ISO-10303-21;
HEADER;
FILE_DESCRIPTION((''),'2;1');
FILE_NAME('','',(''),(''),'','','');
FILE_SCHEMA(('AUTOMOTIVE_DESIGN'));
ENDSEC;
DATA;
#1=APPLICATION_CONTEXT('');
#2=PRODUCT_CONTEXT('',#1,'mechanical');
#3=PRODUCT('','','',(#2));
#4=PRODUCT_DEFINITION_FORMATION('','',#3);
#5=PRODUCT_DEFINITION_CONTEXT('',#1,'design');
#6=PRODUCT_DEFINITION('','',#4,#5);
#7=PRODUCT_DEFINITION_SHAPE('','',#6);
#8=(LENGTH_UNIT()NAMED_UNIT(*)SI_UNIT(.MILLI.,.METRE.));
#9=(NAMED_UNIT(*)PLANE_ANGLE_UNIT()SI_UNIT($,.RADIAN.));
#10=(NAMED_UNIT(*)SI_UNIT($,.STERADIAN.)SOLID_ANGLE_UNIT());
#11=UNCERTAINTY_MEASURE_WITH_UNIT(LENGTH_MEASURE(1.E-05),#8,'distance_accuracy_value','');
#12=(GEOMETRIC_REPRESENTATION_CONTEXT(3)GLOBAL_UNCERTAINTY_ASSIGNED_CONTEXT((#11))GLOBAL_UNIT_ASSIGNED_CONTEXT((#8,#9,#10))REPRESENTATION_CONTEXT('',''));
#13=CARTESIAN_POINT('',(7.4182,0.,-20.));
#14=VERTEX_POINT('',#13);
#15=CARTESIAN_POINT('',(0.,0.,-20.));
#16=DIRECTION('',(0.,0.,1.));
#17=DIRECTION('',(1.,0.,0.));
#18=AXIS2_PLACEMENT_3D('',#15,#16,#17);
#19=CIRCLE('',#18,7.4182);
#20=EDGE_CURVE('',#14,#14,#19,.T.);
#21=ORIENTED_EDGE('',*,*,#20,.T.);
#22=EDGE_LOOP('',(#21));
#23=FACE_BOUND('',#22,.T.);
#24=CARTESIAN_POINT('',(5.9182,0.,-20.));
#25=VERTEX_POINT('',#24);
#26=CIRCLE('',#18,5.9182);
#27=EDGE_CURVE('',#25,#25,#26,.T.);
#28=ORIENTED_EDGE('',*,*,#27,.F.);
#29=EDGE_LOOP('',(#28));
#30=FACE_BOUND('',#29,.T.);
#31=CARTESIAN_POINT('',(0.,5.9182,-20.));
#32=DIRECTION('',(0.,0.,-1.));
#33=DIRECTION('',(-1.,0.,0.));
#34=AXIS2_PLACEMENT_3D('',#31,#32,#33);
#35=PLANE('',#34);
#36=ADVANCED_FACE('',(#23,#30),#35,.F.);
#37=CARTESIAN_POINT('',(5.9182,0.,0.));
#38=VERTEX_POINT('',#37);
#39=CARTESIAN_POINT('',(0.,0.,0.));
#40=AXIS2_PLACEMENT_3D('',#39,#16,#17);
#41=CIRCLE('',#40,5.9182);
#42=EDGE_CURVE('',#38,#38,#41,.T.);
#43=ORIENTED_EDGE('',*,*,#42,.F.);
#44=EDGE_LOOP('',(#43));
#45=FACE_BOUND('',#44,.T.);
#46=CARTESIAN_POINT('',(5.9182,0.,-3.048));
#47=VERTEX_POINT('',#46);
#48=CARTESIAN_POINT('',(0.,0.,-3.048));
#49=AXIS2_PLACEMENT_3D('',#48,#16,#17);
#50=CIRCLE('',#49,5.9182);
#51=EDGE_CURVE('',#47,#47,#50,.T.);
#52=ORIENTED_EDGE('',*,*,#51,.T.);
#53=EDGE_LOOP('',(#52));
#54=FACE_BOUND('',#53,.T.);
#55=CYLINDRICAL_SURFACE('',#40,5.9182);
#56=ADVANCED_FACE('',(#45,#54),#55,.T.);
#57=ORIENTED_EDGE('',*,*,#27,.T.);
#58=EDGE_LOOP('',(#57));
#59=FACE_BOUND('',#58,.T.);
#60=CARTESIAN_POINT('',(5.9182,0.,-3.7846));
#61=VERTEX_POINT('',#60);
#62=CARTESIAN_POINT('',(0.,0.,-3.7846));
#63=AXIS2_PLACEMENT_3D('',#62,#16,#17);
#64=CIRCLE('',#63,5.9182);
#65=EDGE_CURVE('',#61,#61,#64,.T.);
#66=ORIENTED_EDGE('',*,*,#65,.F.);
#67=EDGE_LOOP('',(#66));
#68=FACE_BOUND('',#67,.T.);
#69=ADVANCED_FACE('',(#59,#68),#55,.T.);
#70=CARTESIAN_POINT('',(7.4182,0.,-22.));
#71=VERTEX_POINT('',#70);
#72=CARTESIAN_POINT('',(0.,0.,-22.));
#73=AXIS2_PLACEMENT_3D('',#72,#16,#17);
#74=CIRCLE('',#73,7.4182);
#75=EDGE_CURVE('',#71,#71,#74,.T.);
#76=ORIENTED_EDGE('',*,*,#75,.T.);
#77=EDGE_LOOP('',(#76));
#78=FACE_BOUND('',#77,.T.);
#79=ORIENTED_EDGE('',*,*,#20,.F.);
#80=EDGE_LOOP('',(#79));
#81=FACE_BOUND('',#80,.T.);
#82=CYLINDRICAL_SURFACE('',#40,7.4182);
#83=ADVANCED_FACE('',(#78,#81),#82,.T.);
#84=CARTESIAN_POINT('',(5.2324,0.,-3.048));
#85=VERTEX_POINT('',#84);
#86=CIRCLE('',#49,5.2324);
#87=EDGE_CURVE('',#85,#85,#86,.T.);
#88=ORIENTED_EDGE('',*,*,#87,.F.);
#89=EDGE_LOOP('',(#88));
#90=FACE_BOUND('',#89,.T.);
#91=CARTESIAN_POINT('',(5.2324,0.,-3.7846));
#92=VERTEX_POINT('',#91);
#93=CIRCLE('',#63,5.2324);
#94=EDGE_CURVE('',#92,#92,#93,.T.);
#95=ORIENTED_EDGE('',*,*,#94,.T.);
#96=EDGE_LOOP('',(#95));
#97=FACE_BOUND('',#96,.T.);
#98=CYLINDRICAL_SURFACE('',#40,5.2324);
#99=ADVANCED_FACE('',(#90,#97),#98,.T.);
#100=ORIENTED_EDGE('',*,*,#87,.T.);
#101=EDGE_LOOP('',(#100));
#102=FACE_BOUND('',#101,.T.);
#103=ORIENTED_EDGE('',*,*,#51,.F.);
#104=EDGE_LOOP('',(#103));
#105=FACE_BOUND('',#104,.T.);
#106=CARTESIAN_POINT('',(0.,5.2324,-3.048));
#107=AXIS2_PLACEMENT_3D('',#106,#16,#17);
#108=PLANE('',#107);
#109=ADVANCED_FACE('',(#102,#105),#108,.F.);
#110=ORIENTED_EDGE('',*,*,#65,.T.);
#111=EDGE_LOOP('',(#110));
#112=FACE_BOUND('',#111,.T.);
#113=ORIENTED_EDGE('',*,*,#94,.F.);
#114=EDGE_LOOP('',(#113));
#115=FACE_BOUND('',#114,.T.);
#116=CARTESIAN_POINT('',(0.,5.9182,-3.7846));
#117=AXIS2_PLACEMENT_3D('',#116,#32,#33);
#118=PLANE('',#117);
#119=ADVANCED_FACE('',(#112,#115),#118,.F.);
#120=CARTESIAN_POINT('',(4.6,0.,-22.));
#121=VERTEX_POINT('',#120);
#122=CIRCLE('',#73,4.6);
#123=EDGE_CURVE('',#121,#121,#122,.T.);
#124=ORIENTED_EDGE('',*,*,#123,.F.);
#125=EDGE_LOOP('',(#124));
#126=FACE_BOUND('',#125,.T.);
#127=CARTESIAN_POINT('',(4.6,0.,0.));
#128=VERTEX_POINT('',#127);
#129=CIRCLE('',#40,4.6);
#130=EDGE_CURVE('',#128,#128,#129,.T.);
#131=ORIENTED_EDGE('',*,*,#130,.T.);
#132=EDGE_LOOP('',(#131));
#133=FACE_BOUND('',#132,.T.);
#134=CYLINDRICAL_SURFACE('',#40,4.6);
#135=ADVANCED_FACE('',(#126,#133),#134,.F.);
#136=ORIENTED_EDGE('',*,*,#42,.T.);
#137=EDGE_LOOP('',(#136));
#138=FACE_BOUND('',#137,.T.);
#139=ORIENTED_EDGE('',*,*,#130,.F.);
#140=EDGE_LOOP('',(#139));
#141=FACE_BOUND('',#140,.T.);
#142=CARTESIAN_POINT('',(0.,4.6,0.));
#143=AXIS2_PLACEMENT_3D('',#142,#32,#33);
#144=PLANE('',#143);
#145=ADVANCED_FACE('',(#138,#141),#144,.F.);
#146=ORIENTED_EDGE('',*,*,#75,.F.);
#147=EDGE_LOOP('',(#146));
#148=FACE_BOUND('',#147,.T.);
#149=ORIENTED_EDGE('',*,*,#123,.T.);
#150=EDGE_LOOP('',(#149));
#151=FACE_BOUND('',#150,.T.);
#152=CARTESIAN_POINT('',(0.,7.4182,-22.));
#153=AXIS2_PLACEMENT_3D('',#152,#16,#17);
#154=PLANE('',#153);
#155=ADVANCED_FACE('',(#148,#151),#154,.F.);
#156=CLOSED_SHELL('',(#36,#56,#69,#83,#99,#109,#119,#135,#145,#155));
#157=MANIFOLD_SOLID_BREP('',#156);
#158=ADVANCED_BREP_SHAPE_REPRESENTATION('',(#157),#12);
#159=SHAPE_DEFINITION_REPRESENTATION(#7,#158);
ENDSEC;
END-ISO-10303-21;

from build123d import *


with BuildPart() as part:
    # Sketch1 → Revolve1 (revolve)
    with BuildSketch(Plane(origin=(0, 0, 0), x_dir=(0, 0, -1), z_dir=(1, 0, 0)), mode=Mode.PRIVATE) as revolve1_sk:
        Polygon((0, 5.9182), (3.048, 5.9182), (3.048, 5.2324), (3.7846, 5.2324), (3.7846, 5.9182), (20, 5.9182), (20, 7.4182), (22, 7.4182), (22, 4.6), (0, 4.6), align=None)
    revolve(revolve1_sk.sketch.rotate(Axis((0, 0, 0), (0, 0, -1)), 90), axis=Axis((0, 0, 0), (0, 0, -1)))  # turned: the seam where the file's is


solid = part.part
